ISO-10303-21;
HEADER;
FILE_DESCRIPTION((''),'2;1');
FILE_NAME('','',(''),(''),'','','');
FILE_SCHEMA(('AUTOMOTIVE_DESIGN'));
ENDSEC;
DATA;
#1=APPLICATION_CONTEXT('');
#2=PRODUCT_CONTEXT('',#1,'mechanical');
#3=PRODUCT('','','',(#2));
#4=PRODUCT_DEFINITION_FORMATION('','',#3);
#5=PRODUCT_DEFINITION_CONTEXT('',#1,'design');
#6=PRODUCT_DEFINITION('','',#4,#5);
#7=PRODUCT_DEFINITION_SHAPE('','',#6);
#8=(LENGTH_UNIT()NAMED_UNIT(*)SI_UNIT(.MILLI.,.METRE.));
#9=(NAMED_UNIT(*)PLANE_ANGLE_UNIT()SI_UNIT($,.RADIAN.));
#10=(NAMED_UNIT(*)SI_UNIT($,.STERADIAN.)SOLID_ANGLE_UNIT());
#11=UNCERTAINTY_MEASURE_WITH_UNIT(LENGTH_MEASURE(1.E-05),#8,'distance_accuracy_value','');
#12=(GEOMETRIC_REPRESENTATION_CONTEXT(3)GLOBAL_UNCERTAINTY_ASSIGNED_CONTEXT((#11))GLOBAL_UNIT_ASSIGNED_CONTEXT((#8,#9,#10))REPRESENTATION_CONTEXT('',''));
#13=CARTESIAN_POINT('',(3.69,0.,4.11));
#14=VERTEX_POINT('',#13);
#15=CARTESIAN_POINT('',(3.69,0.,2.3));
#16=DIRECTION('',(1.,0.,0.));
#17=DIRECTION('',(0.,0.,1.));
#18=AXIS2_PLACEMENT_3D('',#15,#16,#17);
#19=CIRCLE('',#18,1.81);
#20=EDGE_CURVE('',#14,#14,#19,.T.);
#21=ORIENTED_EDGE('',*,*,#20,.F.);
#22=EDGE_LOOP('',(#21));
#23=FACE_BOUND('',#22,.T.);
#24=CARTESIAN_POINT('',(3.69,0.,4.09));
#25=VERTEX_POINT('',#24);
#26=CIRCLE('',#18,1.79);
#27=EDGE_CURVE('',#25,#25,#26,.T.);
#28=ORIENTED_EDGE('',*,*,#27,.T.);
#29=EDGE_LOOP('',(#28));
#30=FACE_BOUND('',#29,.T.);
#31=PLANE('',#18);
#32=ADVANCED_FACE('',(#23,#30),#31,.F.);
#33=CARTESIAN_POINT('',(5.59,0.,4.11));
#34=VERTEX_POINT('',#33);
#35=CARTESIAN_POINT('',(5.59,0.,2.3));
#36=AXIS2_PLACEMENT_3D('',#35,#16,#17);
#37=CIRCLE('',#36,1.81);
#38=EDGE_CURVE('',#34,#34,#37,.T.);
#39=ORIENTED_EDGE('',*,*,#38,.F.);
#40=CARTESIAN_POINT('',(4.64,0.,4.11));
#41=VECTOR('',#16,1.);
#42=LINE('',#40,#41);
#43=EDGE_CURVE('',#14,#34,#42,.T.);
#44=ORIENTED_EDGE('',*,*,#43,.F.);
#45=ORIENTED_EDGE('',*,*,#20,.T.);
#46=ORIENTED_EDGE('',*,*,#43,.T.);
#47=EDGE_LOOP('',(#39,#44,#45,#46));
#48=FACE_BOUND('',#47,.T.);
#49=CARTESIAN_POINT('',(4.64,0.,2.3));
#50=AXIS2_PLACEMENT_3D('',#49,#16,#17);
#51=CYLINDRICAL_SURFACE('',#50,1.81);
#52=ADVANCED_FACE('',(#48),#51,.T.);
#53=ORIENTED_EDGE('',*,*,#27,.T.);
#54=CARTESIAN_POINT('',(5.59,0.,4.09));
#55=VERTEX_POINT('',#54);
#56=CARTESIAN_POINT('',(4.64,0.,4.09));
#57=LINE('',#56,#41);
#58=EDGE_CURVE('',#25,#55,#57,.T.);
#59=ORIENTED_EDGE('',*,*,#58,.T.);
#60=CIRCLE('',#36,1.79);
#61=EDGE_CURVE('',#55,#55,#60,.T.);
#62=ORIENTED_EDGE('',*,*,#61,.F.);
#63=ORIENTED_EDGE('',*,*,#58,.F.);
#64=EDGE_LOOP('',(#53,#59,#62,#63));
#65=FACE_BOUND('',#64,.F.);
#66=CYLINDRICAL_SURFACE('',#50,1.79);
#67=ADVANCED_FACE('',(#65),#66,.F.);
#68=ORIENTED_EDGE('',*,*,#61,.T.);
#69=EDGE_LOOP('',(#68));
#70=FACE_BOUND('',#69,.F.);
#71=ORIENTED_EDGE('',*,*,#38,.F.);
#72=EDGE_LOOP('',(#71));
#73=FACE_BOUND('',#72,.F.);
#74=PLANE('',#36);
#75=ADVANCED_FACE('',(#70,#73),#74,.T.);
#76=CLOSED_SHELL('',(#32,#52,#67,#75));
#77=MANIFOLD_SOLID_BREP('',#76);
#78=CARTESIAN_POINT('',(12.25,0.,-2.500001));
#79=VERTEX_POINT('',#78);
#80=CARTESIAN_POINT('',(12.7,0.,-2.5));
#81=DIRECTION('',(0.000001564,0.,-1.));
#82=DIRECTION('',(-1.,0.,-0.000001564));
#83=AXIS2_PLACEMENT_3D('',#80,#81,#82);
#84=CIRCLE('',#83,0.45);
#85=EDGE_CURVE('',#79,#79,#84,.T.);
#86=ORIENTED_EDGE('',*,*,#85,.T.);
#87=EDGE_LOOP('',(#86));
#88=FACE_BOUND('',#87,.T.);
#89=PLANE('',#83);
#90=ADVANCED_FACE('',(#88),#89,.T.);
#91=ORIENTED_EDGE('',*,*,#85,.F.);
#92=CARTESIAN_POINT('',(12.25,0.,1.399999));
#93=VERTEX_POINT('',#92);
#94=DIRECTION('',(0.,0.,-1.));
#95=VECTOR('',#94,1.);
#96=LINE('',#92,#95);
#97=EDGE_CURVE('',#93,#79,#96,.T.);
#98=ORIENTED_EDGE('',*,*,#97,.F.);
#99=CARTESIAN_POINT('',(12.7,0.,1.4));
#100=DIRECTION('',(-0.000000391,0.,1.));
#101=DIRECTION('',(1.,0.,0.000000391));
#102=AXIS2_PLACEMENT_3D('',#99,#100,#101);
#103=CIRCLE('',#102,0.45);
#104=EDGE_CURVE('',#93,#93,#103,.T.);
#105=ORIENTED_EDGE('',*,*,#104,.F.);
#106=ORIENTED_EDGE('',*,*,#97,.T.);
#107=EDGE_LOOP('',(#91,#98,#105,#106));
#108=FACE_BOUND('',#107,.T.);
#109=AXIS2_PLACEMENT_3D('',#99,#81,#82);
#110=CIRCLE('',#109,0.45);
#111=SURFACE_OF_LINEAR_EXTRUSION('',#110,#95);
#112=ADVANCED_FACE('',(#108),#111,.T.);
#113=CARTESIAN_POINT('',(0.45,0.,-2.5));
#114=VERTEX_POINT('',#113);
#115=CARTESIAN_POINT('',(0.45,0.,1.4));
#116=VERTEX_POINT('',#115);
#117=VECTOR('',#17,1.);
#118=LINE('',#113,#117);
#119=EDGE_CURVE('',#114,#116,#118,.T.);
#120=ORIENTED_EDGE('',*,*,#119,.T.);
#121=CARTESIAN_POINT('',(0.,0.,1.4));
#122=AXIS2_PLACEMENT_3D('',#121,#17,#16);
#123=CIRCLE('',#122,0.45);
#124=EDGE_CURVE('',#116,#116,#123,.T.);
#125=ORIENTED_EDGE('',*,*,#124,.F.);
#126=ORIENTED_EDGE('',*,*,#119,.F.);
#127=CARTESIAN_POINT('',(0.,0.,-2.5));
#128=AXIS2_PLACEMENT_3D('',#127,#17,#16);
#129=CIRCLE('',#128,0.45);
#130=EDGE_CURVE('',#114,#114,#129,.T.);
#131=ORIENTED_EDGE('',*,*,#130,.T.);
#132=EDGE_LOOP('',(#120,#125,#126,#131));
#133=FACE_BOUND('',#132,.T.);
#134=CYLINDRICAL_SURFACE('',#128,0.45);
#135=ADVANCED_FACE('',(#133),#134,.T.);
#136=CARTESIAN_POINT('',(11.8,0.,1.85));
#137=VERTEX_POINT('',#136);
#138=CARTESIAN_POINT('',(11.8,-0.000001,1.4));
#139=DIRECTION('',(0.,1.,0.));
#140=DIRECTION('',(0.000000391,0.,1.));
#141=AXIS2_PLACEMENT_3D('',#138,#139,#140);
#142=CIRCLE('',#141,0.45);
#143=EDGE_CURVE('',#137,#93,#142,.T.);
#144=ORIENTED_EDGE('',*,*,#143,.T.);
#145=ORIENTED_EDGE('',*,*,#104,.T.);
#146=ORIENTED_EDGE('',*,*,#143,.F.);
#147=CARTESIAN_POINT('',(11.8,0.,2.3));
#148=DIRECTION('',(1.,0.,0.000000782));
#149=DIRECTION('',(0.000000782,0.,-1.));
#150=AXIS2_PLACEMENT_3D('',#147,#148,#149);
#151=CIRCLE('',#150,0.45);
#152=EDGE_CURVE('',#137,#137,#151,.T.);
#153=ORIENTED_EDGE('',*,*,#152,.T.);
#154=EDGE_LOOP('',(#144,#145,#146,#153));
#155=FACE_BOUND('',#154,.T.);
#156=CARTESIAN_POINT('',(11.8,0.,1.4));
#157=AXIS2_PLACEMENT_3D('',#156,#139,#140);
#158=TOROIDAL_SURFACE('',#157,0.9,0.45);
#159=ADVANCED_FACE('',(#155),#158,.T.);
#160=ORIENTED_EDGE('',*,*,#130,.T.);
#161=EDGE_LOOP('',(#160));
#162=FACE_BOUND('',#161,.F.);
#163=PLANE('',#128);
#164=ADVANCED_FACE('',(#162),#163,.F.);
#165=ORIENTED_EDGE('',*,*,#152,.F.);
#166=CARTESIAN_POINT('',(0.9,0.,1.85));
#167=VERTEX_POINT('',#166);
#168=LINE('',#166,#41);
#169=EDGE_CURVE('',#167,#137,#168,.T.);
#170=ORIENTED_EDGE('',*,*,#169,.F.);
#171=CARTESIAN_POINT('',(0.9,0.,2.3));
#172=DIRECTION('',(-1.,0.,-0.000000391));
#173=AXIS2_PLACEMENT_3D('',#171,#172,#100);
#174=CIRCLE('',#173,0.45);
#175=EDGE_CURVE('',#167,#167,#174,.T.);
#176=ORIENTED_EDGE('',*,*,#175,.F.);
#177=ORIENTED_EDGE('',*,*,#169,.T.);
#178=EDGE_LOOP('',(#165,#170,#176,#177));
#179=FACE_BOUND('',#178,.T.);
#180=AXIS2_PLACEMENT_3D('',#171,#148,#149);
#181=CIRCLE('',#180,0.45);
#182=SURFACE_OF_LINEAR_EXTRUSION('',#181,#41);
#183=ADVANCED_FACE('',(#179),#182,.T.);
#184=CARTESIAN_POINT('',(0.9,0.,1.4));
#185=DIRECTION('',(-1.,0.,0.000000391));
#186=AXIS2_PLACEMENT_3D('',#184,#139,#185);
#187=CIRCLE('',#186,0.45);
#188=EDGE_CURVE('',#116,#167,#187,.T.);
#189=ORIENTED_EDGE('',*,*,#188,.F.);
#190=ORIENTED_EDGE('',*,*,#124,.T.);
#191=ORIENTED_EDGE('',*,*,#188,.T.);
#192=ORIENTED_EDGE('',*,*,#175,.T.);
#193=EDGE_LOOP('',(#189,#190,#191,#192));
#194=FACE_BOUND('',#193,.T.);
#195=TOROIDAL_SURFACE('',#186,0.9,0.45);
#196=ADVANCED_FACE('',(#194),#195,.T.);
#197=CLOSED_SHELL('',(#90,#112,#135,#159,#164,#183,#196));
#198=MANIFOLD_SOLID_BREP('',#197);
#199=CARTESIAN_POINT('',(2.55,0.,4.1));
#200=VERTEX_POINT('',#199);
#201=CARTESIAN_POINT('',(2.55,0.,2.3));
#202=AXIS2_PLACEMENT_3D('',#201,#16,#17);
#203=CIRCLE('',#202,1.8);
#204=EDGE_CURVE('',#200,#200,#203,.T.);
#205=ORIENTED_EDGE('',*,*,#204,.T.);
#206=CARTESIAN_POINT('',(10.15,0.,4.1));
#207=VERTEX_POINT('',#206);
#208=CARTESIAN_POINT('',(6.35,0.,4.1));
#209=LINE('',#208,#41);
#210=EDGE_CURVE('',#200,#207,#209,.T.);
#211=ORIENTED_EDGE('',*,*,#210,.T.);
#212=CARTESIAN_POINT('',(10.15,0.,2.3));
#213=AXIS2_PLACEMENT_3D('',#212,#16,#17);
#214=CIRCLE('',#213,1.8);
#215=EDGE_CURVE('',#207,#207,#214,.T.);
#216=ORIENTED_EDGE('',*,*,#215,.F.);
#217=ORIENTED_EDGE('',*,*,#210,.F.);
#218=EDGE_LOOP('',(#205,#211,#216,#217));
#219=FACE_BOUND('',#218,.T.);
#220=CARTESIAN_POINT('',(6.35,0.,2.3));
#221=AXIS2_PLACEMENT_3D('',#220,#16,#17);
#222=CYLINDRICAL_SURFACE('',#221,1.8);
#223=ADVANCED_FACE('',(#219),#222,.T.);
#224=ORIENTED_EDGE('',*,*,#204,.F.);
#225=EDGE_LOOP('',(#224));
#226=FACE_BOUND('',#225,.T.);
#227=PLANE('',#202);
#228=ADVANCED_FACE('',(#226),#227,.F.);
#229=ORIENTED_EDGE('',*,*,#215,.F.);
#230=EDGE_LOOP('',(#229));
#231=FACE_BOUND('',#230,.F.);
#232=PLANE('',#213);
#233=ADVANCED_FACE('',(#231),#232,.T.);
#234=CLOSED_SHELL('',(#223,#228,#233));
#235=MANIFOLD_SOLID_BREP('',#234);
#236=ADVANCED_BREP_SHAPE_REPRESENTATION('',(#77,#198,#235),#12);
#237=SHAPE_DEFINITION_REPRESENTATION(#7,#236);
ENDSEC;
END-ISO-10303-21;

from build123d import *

# Parameters (mm, degrees)
SKETCH002_W = 7.6
SKETCH002_H = 1.8
SKETCH003_W = 1.9
SKETCH003_H = 0.02
SKETCH_R    = 0.45


with BuildPart() as revolution:
    # Sketch002 → Revolution (revolve)
    with BuildSketch(Plane.XZ):
        with Locations((6.35, 3.2)):
            Rectangle(SKETCH002_W, SKETCH002_H)
    revolve(axis=Axis((2.55, 0, 2.3), (1, 0, 0)))


with BuildPart() as revolution001:
    # Sketch003 → Revolution001 (revolve)
    with BuildSketch(Plane.XZ):
        with Locations((4.64, 4.1)):
            Rectangle(SKETCH003_W, SKETCH003_H)
    revolve(axis=Axis((0, 0, 2.3), (1, 0, 0)))


with BuildPart() as sweep_body:
    # Sweep: sweep along a path in Sketch001
    with BuildLine(Plane.XZ) as sweep_path:
        Line((0, -2.5), (0, 1.4))
        ThreePointArc((0, 1.4), (0.263604, 2.036396), (0.9, 2.3))
        Line((0.9, 2.3), (11.8, 2.3))
        ThreePointArc((11.8, 2.3), (12.436396, 2.036396), (12.7, 1.4))
        Line((12.7, 1.4), (12.7, -2.5))
    # Sketch → Sweep (sweep)
    with BuildSketch(Plane.XY.offset(-2)):
        Circle(SKETCH_R)
    sweep(path=sweep_path.line)


solid = Compound([revolution.part, revolution001.part, sweep_body.part])
